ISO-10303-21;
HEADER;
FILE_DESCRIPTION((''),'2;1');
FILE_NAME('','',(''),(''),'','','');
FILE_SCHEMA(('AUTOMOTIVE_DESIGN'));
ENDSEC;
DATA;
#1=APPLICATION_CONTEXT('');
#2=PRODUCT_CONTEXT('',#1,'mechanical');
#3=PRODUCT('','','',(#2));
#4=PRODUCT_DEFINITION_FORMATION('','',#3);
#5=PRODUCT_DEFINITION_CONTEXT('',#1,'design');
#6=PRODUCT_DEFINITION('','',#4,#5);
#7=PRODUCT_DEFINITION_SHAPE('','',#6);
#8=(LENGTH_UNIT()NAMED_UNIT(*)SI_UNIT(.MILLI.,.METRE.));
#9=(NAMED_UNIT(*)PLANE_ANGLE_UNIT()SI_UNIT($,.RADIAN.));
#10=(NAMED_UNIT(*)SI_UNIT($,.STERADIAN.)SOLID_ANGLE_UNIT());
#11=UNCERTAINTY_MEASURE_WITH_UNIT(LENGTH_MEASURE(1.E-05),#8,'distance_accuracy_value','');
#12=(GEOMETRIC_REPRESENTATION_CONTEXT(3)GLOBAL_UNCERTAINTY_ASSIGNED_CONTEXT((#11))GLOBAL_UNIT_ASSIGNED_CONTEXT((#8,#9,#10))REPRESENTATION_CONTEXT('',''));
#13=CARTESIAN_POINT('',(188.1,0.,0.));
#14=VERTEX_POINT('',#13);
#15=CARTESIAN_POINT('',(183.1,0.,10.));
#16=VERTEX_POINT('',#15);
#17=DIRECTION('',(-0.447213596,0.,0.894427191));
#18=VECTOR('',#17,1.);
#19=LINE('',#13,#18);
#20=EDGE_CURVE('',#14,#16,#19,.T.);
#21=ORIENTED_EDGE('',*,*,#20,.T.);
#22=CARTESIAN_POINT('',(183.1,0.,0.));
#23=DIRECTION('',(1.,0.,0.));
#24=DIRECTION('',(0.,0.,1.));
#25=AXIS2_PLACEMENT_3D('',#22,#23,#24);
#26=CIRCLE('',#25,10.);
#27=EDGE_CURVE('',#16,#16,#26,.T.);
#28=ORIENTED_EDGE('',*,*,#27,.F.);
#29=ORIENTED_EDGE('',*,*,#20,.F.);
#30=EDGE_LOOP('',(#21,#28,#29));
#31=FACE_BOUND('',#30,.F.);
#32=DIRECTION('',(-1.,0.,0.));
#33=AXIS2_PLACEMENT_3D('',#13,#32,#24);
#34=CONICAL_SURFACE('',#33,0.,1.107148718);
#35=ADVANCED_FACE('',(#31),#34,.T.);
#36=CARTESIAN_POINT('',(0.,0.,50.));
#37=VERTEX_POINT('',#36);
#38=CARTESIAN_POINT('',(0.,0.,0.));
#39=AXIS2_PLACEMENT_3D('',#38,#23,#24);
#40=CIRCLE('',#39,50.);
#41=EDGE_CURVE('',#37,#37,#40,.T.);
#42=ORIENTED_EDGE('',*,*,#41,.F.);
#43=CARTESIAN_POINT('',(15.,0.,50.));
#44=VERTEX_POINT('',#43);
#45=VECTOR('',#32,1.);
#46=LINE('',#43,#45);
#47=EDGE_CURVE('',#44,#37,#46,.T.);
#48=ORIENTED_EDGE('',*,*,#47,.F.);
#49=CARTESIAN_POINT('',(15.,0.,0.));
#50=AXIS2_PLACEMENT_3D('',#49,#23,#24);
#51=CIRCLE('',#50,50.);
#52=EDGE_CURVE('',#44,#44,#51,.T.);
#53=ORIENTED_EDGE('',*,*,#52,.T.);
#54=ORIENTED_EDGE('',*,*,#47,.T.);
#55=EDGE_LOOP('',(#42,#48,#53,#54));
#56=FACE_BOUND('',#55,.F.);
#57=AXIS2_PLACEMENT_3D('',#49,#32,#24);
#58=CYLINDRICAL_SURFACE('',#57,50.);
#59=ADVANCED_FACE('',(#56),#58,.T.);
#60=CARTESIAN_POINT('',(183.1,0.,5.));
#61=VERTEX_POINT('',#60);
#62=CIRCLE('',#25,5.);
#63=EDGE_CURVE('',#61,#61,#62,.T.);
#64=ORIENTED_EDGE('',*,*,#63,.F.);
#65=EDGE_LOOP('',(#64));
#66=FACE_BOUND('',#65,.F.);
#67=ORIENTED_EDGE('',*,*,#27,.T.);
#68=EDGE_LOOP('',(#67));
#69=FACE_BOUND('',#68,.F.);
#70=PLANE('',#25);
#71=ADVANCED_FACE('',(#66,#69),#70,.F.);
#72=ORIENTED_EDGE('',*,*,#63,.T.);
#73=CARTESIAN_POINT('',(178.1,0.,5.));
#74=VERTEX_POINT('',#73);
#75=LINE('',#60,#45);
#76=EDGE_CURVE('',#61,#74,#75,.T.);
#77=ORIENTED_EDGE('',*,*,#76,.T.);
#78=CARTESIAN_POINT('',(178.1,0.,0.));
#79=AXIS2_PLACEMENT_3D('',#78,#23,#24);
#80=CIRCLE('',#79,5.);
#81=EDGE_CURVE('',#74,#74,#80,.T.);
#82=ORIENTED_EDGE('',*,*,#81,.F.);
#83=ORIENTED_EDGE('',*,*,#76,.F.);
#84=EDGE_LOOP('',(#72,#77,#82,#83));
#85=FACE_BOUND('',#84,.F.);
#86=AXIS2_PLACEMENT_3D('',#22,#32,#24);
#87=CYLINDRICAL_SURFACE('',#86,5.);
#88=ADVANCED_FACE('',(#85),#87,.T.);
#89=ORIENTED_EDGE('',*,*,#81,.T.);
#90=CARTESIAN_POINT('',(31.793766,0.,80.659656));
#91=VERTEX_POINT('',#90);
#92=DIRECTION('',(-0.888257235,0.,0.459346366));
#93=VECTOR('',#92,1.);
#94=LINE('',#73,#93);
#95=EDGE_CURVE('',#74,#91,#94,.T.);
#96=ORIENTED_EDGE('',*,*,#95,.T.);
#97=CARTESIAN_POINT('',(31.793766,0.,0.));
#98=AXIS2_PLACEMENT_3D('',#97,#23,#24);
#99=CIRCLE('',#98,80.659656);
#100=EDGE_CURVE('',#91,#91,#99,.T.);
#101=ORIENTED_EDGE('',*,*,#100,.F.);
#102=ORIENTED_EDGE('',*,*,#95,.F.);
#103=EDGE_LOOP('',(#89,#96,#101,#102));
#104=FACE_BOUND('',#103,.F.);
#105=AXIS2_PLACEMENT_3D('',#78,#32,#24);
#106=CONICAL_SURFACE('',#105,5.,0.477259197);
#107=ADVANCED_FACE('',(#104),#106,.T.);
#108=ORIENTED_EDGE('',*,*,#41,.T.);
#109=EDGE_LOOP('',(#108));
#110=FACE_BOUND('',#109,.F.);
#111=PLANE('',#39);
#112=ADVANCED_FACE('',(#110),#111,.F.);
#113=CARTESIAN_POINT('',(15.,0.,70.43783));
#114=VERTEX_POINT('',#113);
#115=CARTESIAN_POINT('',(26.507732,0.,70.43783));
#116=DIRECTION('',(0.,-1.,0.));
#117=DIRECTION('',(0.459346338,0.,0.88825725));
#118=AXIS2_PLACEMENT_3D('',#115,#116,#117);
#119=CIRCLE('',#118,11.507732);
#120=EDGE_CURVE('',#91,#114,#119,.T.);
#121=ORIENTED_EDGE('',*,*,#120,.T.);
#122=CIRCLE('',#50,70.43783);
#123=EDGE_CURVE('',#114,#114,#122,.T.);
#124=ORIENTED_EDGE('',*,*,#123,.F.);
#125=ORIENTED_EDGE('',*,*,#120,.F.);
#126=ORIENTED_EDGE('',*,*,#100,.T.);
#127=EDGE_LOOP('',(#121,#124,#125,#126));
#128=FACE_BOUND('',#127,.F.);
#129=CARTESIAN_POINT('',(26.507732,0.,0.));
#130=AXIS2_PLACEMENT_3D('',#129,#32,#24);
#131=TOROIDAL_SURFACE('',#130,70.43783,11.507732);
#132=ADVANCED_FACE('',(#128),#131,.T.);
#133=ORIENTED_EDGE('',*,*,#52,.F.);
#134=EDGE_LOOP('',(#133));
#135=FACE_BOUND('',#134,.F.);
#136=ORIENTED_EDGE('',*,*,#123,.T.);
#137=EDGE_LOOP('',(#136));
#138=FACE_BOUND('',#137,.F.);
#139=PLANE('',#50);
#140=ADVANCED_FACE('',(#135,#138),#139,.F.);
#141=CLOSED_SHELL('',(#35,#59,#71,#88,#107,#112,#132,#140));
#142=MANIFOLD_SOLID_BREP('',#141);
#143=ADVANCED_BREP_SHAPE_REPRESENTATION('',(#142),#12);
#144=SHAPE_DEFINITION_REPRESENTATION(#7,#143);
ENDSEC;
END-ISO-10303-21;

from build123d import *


with BuildPart() as f1:
    # F0 (on Front) → F1 (revolve)
    with BuildSketch(Plane.XZ):
        with BuildLine():
            Line((0, 50), (0, 0))
            Line((0, 0), (15, 0))
            Line((15, 0), (155, 0))
            Line((155, 0), (178.1, 0))
            Line((178.1, 0), (183.1, 0))
            Line((183.1, 0), (188.1, 0))
            Line((188.1, 0), (183.1, 10))
            Line((183.1, 10), (183.1, 5))
            Line((183.1, 5), (178.1, 5))
            Line((178.1, 5), (31.793766, 80.659656))
            ThreePointArc((31.793766, 80.659656), (20.524521, 80.267839), (15, 70.43783))
            Line((15, 70.43783), (15, 50))
            Line((15, 50), (0, 50))
        make_face()
    revolve(axis=Axis((85, 0, 0), (1, 0, 0)))


solid = f1.part
